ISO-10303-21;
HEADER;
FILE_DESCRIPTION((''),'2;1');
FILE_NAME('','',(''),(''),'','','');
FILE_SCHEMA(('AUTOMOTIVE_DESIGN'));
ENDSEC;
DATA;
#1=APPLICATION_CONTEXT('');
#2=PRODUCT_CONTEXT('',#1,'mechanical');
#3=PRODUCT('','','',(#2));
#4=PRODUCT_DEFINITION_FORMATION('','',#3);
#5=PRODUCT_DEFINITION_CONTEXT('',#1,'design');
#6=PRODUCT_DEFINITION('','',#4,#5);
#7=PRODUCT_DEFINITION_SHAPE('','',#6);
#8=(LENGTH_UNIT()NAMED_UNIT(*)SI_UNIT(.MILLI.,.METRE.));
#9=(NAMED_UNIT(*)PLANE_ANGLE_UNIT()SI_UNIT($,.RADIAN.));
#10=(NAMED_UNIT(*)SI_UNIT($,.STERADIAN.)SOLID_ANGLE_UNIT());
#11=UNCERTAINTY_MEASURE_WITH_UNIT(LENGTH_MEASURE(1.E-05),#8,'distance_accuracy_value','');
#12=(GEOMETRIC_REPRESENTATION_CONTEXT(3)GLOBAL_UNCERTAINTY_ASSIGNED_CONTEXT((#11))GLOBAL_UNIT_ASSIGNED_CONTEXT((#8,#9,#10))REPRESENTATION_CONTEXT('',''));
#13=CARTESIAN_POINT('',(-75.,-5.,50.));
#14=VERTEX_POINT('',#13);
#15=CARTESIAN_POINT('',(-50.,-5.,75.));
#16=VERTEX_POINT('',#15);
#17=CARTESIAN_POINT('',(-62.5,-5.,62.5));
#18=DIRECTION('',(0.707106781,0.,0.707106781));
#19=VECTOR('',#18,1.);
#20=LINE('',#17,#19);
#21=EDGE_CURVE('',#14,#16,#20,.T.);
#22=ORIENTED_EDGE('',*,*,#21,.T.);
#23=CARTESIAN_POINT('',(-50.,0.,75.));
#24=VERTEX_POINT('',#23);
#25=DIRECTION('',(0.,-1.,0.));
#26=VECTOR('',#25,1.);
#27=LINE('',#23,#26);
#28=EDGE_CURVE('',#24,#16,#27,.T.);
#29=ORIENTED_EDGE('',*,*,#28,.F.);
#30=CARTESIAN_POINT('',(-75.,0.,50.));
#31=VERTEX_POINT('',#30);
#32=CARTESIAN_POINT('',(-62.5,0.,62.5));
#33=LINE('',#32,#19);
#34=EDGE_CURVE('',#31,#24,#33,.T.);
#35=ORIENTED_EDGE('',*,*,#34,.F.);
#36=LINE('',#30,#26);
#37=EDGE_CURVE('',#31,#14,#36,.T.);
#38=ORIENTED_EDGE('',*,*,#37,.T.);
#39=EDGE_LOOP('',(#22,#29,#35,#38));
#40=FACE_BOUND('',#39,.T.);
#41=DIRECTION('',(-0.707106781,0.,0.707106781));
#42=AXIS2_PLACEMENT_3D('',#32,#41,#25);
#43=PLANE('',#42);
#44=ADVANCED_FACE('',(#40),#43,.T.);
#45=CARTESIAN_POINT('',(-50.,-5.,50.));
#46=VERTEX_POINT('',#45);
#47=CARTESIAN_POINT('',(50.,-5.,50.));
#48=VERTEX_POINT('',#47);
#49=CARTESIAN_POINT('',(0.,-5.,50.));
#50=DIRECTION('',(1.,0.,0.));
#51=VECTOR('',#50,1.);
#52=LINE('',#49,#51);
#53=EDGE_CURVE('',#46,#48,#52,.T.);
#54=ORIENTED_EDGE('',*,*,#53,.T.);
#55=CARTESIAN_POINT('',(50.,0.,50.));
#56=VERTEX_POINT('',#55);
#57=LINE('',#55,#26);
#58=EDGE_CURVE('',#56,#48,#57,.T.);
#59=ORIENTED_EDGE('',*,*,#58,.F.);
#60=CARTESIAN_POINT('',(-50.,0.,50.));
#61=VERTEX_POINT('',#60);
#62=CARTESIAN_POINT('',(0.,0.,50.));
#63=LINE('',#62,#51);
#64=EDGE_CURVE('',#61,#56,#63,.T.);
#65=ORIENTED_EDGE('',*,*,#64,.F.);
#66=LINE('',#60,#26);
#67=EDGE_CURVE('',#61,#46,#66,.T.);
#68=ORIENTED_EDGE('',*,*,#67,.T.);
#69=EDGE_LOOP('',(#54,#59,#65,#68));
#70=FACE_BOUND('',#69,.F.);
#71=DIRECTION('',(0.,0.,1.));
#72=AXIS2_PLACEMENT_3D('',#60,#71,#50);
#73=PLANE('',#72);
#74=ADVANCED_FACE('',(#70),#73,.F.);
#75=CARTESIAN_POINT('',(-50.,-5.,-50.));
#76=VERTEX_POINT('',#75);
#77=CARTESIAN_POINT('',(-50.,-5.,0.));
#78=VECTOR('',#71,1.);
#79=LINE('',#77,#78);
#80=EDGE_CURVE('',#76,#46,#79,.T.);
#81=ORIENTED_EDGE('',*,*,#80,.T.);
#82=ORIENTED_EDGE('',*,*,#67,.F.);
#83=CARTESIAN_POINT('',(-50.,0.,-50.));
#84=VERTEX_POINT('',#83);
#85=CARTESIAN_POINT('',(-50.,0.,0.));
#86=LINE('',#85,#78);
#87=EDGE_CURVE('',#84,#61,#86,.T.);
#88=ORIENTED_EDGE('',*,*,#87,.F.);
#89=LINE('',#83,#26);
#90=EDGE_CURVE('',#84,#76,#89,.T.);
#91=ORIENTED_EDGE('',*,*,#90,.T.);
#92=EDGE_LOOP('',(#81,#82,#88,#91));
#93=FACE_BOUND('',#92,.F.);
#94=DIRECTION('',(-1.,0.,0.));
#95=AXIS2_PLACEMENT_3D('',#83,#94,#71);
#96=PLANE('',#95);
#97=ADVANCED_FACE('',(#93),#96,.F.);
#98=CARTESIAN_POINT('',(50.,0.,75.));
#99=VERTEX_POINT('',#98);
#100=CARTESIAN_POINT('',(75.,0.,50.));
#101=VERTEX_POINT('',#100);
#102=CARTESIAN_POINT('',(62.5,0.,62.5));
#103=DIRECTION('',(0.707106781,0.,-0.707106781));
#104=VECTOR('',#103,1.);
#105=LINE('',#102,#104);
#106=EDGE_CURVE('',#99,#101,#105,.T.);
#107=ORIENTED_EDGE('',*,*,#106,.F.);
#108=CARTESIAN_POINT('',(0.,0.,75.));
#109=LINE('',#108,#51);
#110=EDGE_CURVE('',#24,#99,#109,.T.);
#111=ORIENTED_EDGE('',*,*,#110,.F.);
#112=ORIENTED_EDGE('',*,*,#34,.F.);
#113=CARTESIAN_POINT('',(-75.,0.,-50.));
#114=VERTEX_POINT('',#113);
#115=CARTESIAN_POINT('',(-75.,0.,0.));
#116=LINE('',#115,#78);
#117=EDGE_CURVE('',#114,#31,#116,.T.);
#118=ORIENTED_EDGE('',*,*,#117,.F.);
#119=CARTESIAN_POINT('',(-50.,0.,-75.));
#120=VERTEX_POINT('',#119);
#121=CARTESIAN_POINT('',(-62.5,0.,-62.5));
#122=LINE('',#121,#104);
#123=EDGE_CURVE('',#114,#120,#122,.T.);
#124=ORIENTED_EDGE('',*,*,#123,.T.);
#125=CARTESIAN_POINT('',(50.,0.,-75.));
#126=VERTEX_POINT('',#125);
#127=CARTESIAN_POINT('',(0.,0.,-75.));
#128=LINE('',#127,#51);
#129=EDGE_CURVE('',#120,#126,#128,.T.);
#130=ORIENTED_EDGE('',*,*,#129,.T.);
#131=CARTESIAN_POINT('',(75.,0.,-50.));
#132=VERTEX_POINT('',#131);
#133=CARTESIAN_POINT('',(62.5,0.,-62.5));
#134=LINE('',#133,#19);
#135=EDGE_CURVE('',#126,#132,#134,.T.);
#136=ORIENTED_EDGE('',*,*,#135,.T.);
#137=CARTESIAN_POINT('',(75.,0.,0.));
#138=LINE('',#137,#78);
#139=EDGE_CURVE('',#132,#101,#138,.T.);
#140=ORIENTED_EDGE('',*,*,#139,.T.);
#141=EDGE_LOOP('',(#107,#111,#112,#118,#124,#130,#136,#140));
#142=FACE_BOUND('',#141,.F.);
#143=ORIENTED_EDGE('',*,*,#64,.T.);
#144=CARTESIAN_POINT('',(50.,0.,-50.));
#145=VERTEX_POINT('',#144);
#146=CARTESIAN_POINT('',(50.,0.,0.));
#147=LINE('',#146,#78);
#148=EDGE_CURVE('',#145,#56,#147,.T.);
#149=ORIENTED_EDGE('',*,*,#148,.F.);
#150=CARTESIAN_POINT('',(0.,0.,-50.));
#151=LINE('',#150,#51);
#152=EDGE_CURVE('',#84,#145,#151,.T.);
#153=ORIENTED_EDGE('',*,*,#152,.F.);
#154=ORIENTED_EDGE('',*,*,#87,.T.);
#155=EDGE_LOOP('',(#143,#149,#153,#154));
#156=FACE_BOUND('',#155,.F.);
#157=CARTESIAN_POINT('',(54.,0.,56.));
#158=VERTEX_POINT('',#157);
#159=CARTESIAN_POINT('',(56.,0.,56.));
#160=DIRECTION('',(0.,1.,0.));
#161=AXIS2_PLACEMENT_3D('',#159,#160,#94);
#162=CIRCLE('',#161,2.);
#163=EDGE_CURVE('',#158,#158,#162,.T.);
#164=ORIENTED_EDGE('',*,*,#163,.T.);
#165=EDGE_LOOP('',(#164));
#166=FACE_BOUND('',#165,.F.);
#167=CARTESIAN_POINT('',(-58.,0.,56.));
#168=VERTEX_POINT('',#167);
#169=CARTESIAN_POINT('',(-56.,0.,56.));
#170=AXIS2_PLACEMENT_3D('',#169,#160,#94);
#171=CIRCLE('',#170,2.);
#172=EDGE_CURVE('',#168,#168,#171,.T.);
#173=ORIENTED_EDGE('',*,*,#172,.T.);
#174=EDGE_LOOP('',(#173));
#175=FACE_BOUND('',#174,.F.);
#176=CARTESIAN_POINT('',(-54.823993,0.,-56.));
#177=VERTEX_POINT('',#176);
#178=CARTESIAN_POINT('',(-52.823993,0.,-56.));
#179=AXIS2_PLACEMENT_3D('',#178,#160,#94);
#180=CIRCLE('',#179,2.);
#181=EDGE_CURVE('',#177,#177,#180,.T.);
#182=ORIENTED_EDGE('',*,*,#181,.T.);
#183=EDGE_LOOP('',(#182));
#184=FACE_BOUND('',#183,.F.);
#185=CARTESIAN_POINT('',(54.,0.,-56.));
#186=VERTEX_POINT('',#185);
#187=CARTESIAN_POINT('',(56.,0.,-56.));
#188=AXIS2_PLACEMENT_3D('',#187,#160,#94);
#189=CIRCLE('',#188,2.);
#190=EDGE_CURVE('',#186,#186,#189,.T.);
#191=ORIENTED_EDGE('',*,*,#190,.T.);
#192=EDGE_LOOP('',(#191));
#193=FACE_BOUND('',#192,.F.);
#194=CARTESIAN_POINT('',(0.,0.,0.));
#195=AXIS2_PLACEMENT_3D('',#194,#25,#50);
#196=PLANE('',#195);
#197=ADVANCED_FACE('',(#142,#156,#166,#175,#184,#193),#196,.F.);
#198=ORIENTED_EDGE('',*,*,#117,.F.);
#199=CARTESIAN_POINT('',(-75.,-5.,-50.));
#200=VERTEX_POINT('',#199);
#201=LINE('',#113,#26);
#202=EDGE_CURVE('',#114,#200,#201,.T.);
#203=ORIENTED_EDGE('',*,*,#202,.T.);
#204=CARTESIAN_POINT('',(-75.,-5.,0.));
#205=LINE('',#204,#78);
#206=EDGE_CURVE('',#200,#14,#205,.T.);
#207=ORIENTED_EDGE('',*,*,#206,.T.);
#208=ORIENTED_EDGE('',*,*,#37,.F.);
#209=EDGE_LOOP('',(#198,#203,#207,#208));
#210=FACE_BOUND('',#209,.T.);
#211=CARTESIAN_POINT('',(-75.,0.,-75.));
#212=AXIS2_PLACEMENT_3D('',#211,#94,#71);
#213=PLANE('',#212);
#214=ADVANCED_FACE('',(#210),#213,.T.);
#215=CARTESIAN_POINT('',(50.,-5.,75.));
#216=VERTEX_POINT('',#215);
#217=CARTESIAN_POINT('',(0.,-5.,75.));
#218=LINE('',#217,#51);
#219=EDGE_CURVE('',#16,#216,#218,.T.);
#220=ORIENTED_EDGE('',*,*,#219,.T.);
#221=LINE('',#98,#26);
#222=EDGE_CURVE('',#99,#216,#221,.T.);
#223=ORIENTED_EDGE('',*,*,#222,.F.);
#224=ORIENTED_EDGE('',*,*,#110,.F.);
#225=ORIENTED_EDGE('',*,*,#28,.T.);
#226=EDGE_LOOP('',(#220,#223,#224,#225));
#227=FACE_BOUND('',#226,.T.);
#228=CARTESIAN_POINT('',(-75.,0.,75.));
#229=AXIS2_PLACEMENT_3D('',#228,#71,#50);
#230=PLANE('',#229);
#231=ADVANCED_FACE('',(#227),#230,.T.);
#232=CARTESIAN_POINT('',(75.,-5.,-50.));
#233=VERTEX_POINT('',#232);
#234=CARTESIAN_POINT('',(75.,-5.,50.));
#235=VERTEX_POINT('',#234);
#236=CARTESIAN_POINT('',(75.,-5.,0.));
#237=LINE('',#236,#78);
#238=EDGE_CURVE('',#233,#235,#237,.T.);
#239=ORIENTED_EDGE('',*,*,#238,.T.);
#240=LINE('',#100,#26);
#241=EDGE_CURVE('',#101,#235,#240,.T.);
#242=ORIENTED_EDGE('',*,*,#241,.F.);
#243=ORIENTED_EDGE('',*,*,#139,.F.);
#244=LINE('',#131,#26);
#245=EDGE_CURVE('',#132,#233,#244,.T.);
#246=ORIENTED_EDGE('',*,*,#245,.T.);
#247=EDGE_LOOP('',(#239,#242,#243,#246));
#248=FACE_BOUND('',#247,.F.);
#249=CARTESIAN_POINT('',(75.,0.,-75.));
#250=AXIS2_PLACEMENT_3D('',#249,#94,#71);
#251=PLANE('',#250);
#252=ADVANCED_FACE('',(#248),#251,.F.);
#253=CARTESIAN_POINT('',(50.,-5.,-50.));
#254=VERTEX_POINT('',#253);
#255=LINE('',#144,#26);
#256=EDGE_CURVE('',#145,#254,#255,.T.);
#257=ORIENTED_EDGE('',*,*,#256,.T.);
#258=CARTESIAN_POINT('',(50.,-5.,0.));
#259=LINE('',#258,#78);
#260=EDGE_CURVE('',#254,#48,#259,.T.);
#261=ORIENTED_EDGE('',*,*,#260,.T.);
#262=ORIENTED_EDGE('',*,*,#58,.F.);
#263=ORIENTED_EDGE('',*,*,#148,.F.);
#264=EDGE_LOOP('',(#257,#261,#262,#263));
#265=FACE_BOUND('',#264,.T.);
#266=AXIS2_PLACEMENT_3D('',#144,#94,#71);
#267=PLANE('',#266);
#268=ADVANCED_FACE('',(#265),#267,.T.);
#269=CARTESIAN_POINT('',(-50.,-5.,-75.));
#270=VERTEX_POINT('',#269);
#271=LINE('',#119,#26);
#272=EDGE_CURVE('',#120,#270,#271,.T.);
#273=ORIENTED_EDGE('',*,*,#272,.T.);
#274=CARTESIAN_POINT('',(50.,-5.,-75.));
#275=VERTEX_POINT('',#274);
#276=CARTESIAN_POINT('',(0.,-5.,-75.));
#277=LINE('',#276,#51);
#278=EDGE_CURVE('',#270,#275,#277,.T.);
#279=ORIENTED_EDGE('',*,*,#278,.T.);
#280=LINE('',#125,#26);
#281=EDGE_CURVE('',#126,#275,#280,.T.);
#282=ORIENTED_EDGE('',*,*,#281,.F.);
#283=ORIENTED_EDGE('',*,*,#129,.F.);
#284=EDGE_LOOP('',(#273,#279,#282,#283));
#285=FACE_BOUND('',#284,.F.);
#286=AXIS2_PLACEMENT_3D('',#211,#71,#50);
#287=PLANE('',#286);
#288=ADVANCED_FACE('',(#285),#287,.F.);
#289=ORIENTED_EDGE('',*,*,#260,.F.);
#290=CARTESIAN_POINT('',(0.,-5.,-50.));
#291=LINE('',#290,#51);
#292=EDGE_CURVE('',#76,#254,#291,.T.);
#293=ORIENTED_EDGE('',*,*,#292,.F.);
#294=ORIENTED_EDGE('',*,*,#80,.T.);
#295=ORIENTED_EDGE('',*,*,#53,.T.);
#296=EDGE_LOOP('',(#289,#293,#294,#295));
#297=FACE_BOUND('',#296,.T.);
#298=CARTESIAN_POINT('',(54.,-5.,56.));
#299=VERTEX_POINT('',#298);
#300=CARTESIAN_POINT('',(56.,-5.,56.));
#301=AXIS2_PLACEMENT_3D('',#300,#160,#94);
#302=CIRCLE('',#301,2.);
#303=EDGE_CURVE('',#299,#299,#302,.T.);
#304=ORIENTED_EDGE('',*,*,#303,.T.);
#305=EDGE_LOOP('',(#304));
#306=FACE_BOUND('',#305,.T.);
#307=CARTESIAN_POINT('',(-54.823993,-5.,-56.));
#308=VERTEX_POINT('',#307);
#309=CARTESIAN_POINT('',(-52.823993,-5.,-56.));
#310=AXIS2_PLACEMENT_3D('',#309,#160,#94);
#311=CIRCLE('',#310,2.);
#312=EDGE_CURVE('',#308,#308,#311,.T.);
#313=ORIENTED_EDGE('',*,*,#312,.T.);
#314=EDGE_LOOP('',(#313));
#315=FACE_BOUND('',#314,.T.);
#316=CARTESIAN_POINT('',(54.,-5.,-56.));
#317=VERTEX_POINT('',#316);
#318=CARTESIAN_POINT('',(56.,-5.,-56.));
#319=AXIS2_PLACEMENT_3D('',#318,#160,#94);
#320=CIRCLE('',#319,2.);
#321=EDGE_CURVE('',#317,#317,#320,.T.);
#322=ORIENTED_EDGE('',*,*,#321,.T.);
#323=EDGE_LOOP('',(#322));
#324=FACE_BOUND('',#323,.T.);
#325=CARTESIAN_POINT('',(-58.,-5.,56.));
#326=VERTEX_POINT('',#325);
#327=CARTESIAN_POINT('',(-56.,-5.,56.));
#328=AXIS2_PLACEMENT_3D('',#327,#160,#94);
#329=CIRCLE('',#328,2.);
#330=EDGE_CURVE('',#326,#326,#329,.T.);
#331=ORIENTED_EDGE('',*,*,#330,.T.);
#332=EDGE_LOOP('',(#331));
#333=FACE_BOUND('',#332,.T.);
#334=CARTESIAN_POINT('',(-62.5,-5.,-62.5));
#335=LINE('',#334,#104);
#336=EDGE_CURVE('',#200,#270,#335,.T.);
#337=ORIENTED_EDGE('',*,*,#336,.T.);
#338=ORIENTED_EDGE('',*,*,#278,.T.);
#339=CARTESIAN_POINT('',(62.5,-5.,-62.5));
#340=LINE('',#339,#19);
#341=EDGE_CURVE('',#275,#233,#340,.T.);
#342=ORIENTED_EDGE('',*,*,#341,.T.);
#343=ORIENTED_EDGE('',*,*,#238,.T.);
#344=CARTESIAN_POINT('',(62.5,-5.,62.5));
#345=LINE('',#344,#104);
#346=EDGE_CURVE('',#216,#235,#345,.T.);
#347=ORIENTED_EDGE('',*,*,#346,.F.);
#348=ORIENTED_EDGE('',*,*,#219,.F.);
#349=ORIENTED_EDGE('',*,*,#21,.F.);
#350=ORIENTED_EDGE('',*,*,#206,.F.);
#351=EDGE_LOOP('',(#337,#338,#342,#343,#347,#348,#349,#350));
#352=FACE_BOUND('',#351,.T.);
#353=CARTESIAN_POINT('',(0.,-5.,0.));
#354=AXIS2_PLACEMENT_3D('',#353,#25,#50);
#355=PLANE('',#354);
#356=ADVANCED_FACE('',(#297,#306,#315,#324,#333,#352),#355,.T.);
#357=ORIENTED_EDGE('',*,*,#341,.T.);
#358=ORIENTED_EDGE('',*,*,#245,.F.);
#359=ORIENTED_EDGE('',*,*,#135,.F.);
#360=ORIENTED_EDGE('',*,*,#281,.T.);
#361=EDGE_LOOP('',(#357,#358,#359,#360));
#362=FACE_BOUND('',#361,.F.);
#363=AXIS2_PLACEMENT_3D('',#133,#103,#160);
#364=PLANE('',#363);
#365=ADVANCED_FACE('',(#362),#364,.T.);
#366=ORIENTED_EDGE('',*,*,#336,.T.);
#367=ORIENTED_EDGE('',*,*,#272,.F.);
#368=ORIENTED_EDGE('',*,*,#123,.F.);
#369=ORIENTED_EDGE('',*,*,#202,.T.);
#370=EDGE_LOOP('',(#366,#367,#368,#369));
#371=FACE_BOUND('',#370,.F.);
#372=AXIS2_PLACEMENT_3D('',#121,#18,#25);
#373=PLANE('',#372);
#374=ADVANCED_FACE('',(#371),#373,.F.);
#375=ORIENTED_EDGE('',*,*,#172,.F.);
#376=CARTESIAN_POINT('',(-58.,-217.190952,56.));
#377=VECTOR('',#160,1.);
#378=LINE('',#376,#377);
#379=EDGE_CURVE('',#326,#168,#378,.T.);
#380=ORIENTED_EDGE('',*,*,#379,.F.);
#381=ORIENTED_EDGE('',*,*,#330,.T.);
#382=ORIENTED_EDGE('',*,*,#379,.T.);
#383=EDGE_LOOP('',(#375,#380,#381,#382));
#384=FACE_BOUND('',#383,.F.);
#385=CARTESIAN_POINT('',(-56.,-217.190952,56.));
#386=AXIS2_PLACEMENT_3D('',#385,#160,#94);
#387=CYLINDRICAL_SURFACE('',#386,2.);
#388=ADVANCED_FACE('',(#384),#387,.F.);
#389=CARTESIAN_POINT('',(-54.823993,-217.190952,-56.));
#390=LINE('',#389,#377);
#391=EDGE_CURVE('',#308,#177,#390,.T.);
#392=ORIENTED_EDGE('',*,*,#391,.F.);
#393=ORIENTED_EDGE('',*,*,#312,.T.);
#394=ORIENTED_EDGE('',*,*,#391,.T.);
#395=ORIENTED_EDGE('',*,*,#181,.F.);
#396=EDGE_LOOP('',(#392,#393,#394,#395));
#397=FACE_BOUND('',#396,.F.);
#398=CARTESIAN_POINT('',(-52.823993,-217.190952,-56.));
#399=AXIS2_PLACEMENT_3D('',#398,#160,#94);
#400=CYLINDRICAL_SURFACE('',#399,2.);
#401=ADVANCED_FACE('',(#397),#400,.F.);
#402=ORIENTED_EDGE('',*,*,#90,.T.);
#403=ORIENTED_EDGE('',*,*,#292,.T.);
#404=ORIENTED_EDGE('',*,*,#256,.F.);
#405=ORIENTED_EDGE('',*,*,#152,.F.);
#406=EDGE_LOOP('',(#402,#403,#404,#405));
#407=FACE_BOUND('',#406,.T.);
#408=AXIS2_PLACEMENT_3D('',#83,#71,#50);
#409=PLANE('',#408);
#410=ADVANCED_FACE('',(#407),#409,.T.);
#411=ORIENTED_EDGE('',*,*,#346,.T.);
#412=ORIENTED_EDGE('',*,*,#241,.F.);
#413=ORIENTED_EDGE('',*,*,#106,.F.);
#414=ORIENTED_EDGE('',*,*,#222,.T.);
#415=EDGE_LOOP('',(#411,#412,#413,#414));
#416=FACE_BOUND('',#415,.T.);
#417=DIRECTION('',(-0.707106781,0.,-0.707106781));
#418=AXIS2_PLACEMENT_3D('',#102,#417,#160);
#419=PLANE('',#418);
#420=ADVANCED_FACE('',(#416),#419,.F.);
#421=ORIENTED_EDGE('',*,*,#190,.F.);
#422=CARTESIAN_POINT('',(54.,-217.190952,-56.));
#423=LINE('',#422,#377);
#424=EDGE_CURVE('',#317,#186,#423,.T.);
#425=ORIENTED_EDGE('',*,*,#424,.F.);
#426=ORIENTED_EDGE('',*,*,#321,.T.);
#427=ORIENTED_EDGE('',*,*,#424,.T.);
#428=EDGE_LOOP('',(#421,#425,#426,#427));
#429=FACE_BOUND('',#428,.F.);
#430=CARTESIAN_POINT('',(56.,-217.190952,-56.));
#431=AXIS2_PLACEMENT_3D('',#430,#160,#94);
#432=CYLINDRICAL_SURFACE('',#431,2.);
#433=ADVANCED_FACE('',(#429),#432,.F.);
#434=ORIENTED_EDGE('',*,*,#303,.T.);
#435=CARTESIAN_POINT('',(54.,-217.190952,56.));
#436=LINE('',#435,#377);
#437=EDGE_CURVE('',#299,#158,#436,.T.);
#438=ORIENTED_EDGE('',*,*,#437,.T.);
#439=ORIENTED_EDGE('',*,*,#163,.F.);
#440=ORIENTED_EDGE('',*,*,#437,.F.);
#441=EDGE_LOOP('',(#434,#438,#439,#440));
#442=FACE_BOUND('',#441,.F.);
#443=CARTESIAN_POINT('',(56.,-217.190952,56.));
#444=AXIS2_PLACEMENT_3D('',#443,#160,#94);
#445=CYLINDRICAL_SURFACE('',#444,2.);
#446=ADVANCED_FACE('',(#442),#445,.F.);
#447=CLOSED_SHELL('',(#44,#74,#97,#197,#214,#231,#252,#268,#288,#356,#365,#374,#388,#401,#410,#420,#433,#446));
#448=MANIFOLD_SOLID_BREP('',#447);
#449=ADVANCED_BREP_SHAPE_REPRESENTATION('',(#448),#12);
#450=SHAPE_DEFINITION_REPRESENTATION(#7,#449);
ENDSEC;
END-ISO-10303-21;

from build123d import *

# Parameters (mm, degrees)
F0_W     = 150
F0_H     = 150
F0_W_2   = 100
F0_H_2   = 100
F1_DEPTH = 5
F2_SIZE  = 25
F4_D     = 4


with BuildPart() as f1:
    # F0 (on Front) → F1 (new body)
    with BuildSketch(Plane.XZ):
        Rectangle(F0_W, F0_H)
        Rectangle(F0_W_2, F0_H_2, mode=Mode.SUBTRACT)
    extrude(amount=F1_DEPTH)

    # F2
    f2_edges = [f1.edges().sort_by_distance(p)[0] for p in [
        (-75, -2.5, 75),
        (75, -2.5, 75),
        (-75, -2.5, -75),
        (75, -2.5, -75),
    ]]
    chamfer(f2_edges, length=F2_SIZE)

    # F4 (through all)
    with Locations(Plane.XZ.offset(5)):
        with Locations((56, 56), (56, -56), (-52.823993, -56), (-56, 56)):
            Hole(F4_D / 2)


solid = f1.part
